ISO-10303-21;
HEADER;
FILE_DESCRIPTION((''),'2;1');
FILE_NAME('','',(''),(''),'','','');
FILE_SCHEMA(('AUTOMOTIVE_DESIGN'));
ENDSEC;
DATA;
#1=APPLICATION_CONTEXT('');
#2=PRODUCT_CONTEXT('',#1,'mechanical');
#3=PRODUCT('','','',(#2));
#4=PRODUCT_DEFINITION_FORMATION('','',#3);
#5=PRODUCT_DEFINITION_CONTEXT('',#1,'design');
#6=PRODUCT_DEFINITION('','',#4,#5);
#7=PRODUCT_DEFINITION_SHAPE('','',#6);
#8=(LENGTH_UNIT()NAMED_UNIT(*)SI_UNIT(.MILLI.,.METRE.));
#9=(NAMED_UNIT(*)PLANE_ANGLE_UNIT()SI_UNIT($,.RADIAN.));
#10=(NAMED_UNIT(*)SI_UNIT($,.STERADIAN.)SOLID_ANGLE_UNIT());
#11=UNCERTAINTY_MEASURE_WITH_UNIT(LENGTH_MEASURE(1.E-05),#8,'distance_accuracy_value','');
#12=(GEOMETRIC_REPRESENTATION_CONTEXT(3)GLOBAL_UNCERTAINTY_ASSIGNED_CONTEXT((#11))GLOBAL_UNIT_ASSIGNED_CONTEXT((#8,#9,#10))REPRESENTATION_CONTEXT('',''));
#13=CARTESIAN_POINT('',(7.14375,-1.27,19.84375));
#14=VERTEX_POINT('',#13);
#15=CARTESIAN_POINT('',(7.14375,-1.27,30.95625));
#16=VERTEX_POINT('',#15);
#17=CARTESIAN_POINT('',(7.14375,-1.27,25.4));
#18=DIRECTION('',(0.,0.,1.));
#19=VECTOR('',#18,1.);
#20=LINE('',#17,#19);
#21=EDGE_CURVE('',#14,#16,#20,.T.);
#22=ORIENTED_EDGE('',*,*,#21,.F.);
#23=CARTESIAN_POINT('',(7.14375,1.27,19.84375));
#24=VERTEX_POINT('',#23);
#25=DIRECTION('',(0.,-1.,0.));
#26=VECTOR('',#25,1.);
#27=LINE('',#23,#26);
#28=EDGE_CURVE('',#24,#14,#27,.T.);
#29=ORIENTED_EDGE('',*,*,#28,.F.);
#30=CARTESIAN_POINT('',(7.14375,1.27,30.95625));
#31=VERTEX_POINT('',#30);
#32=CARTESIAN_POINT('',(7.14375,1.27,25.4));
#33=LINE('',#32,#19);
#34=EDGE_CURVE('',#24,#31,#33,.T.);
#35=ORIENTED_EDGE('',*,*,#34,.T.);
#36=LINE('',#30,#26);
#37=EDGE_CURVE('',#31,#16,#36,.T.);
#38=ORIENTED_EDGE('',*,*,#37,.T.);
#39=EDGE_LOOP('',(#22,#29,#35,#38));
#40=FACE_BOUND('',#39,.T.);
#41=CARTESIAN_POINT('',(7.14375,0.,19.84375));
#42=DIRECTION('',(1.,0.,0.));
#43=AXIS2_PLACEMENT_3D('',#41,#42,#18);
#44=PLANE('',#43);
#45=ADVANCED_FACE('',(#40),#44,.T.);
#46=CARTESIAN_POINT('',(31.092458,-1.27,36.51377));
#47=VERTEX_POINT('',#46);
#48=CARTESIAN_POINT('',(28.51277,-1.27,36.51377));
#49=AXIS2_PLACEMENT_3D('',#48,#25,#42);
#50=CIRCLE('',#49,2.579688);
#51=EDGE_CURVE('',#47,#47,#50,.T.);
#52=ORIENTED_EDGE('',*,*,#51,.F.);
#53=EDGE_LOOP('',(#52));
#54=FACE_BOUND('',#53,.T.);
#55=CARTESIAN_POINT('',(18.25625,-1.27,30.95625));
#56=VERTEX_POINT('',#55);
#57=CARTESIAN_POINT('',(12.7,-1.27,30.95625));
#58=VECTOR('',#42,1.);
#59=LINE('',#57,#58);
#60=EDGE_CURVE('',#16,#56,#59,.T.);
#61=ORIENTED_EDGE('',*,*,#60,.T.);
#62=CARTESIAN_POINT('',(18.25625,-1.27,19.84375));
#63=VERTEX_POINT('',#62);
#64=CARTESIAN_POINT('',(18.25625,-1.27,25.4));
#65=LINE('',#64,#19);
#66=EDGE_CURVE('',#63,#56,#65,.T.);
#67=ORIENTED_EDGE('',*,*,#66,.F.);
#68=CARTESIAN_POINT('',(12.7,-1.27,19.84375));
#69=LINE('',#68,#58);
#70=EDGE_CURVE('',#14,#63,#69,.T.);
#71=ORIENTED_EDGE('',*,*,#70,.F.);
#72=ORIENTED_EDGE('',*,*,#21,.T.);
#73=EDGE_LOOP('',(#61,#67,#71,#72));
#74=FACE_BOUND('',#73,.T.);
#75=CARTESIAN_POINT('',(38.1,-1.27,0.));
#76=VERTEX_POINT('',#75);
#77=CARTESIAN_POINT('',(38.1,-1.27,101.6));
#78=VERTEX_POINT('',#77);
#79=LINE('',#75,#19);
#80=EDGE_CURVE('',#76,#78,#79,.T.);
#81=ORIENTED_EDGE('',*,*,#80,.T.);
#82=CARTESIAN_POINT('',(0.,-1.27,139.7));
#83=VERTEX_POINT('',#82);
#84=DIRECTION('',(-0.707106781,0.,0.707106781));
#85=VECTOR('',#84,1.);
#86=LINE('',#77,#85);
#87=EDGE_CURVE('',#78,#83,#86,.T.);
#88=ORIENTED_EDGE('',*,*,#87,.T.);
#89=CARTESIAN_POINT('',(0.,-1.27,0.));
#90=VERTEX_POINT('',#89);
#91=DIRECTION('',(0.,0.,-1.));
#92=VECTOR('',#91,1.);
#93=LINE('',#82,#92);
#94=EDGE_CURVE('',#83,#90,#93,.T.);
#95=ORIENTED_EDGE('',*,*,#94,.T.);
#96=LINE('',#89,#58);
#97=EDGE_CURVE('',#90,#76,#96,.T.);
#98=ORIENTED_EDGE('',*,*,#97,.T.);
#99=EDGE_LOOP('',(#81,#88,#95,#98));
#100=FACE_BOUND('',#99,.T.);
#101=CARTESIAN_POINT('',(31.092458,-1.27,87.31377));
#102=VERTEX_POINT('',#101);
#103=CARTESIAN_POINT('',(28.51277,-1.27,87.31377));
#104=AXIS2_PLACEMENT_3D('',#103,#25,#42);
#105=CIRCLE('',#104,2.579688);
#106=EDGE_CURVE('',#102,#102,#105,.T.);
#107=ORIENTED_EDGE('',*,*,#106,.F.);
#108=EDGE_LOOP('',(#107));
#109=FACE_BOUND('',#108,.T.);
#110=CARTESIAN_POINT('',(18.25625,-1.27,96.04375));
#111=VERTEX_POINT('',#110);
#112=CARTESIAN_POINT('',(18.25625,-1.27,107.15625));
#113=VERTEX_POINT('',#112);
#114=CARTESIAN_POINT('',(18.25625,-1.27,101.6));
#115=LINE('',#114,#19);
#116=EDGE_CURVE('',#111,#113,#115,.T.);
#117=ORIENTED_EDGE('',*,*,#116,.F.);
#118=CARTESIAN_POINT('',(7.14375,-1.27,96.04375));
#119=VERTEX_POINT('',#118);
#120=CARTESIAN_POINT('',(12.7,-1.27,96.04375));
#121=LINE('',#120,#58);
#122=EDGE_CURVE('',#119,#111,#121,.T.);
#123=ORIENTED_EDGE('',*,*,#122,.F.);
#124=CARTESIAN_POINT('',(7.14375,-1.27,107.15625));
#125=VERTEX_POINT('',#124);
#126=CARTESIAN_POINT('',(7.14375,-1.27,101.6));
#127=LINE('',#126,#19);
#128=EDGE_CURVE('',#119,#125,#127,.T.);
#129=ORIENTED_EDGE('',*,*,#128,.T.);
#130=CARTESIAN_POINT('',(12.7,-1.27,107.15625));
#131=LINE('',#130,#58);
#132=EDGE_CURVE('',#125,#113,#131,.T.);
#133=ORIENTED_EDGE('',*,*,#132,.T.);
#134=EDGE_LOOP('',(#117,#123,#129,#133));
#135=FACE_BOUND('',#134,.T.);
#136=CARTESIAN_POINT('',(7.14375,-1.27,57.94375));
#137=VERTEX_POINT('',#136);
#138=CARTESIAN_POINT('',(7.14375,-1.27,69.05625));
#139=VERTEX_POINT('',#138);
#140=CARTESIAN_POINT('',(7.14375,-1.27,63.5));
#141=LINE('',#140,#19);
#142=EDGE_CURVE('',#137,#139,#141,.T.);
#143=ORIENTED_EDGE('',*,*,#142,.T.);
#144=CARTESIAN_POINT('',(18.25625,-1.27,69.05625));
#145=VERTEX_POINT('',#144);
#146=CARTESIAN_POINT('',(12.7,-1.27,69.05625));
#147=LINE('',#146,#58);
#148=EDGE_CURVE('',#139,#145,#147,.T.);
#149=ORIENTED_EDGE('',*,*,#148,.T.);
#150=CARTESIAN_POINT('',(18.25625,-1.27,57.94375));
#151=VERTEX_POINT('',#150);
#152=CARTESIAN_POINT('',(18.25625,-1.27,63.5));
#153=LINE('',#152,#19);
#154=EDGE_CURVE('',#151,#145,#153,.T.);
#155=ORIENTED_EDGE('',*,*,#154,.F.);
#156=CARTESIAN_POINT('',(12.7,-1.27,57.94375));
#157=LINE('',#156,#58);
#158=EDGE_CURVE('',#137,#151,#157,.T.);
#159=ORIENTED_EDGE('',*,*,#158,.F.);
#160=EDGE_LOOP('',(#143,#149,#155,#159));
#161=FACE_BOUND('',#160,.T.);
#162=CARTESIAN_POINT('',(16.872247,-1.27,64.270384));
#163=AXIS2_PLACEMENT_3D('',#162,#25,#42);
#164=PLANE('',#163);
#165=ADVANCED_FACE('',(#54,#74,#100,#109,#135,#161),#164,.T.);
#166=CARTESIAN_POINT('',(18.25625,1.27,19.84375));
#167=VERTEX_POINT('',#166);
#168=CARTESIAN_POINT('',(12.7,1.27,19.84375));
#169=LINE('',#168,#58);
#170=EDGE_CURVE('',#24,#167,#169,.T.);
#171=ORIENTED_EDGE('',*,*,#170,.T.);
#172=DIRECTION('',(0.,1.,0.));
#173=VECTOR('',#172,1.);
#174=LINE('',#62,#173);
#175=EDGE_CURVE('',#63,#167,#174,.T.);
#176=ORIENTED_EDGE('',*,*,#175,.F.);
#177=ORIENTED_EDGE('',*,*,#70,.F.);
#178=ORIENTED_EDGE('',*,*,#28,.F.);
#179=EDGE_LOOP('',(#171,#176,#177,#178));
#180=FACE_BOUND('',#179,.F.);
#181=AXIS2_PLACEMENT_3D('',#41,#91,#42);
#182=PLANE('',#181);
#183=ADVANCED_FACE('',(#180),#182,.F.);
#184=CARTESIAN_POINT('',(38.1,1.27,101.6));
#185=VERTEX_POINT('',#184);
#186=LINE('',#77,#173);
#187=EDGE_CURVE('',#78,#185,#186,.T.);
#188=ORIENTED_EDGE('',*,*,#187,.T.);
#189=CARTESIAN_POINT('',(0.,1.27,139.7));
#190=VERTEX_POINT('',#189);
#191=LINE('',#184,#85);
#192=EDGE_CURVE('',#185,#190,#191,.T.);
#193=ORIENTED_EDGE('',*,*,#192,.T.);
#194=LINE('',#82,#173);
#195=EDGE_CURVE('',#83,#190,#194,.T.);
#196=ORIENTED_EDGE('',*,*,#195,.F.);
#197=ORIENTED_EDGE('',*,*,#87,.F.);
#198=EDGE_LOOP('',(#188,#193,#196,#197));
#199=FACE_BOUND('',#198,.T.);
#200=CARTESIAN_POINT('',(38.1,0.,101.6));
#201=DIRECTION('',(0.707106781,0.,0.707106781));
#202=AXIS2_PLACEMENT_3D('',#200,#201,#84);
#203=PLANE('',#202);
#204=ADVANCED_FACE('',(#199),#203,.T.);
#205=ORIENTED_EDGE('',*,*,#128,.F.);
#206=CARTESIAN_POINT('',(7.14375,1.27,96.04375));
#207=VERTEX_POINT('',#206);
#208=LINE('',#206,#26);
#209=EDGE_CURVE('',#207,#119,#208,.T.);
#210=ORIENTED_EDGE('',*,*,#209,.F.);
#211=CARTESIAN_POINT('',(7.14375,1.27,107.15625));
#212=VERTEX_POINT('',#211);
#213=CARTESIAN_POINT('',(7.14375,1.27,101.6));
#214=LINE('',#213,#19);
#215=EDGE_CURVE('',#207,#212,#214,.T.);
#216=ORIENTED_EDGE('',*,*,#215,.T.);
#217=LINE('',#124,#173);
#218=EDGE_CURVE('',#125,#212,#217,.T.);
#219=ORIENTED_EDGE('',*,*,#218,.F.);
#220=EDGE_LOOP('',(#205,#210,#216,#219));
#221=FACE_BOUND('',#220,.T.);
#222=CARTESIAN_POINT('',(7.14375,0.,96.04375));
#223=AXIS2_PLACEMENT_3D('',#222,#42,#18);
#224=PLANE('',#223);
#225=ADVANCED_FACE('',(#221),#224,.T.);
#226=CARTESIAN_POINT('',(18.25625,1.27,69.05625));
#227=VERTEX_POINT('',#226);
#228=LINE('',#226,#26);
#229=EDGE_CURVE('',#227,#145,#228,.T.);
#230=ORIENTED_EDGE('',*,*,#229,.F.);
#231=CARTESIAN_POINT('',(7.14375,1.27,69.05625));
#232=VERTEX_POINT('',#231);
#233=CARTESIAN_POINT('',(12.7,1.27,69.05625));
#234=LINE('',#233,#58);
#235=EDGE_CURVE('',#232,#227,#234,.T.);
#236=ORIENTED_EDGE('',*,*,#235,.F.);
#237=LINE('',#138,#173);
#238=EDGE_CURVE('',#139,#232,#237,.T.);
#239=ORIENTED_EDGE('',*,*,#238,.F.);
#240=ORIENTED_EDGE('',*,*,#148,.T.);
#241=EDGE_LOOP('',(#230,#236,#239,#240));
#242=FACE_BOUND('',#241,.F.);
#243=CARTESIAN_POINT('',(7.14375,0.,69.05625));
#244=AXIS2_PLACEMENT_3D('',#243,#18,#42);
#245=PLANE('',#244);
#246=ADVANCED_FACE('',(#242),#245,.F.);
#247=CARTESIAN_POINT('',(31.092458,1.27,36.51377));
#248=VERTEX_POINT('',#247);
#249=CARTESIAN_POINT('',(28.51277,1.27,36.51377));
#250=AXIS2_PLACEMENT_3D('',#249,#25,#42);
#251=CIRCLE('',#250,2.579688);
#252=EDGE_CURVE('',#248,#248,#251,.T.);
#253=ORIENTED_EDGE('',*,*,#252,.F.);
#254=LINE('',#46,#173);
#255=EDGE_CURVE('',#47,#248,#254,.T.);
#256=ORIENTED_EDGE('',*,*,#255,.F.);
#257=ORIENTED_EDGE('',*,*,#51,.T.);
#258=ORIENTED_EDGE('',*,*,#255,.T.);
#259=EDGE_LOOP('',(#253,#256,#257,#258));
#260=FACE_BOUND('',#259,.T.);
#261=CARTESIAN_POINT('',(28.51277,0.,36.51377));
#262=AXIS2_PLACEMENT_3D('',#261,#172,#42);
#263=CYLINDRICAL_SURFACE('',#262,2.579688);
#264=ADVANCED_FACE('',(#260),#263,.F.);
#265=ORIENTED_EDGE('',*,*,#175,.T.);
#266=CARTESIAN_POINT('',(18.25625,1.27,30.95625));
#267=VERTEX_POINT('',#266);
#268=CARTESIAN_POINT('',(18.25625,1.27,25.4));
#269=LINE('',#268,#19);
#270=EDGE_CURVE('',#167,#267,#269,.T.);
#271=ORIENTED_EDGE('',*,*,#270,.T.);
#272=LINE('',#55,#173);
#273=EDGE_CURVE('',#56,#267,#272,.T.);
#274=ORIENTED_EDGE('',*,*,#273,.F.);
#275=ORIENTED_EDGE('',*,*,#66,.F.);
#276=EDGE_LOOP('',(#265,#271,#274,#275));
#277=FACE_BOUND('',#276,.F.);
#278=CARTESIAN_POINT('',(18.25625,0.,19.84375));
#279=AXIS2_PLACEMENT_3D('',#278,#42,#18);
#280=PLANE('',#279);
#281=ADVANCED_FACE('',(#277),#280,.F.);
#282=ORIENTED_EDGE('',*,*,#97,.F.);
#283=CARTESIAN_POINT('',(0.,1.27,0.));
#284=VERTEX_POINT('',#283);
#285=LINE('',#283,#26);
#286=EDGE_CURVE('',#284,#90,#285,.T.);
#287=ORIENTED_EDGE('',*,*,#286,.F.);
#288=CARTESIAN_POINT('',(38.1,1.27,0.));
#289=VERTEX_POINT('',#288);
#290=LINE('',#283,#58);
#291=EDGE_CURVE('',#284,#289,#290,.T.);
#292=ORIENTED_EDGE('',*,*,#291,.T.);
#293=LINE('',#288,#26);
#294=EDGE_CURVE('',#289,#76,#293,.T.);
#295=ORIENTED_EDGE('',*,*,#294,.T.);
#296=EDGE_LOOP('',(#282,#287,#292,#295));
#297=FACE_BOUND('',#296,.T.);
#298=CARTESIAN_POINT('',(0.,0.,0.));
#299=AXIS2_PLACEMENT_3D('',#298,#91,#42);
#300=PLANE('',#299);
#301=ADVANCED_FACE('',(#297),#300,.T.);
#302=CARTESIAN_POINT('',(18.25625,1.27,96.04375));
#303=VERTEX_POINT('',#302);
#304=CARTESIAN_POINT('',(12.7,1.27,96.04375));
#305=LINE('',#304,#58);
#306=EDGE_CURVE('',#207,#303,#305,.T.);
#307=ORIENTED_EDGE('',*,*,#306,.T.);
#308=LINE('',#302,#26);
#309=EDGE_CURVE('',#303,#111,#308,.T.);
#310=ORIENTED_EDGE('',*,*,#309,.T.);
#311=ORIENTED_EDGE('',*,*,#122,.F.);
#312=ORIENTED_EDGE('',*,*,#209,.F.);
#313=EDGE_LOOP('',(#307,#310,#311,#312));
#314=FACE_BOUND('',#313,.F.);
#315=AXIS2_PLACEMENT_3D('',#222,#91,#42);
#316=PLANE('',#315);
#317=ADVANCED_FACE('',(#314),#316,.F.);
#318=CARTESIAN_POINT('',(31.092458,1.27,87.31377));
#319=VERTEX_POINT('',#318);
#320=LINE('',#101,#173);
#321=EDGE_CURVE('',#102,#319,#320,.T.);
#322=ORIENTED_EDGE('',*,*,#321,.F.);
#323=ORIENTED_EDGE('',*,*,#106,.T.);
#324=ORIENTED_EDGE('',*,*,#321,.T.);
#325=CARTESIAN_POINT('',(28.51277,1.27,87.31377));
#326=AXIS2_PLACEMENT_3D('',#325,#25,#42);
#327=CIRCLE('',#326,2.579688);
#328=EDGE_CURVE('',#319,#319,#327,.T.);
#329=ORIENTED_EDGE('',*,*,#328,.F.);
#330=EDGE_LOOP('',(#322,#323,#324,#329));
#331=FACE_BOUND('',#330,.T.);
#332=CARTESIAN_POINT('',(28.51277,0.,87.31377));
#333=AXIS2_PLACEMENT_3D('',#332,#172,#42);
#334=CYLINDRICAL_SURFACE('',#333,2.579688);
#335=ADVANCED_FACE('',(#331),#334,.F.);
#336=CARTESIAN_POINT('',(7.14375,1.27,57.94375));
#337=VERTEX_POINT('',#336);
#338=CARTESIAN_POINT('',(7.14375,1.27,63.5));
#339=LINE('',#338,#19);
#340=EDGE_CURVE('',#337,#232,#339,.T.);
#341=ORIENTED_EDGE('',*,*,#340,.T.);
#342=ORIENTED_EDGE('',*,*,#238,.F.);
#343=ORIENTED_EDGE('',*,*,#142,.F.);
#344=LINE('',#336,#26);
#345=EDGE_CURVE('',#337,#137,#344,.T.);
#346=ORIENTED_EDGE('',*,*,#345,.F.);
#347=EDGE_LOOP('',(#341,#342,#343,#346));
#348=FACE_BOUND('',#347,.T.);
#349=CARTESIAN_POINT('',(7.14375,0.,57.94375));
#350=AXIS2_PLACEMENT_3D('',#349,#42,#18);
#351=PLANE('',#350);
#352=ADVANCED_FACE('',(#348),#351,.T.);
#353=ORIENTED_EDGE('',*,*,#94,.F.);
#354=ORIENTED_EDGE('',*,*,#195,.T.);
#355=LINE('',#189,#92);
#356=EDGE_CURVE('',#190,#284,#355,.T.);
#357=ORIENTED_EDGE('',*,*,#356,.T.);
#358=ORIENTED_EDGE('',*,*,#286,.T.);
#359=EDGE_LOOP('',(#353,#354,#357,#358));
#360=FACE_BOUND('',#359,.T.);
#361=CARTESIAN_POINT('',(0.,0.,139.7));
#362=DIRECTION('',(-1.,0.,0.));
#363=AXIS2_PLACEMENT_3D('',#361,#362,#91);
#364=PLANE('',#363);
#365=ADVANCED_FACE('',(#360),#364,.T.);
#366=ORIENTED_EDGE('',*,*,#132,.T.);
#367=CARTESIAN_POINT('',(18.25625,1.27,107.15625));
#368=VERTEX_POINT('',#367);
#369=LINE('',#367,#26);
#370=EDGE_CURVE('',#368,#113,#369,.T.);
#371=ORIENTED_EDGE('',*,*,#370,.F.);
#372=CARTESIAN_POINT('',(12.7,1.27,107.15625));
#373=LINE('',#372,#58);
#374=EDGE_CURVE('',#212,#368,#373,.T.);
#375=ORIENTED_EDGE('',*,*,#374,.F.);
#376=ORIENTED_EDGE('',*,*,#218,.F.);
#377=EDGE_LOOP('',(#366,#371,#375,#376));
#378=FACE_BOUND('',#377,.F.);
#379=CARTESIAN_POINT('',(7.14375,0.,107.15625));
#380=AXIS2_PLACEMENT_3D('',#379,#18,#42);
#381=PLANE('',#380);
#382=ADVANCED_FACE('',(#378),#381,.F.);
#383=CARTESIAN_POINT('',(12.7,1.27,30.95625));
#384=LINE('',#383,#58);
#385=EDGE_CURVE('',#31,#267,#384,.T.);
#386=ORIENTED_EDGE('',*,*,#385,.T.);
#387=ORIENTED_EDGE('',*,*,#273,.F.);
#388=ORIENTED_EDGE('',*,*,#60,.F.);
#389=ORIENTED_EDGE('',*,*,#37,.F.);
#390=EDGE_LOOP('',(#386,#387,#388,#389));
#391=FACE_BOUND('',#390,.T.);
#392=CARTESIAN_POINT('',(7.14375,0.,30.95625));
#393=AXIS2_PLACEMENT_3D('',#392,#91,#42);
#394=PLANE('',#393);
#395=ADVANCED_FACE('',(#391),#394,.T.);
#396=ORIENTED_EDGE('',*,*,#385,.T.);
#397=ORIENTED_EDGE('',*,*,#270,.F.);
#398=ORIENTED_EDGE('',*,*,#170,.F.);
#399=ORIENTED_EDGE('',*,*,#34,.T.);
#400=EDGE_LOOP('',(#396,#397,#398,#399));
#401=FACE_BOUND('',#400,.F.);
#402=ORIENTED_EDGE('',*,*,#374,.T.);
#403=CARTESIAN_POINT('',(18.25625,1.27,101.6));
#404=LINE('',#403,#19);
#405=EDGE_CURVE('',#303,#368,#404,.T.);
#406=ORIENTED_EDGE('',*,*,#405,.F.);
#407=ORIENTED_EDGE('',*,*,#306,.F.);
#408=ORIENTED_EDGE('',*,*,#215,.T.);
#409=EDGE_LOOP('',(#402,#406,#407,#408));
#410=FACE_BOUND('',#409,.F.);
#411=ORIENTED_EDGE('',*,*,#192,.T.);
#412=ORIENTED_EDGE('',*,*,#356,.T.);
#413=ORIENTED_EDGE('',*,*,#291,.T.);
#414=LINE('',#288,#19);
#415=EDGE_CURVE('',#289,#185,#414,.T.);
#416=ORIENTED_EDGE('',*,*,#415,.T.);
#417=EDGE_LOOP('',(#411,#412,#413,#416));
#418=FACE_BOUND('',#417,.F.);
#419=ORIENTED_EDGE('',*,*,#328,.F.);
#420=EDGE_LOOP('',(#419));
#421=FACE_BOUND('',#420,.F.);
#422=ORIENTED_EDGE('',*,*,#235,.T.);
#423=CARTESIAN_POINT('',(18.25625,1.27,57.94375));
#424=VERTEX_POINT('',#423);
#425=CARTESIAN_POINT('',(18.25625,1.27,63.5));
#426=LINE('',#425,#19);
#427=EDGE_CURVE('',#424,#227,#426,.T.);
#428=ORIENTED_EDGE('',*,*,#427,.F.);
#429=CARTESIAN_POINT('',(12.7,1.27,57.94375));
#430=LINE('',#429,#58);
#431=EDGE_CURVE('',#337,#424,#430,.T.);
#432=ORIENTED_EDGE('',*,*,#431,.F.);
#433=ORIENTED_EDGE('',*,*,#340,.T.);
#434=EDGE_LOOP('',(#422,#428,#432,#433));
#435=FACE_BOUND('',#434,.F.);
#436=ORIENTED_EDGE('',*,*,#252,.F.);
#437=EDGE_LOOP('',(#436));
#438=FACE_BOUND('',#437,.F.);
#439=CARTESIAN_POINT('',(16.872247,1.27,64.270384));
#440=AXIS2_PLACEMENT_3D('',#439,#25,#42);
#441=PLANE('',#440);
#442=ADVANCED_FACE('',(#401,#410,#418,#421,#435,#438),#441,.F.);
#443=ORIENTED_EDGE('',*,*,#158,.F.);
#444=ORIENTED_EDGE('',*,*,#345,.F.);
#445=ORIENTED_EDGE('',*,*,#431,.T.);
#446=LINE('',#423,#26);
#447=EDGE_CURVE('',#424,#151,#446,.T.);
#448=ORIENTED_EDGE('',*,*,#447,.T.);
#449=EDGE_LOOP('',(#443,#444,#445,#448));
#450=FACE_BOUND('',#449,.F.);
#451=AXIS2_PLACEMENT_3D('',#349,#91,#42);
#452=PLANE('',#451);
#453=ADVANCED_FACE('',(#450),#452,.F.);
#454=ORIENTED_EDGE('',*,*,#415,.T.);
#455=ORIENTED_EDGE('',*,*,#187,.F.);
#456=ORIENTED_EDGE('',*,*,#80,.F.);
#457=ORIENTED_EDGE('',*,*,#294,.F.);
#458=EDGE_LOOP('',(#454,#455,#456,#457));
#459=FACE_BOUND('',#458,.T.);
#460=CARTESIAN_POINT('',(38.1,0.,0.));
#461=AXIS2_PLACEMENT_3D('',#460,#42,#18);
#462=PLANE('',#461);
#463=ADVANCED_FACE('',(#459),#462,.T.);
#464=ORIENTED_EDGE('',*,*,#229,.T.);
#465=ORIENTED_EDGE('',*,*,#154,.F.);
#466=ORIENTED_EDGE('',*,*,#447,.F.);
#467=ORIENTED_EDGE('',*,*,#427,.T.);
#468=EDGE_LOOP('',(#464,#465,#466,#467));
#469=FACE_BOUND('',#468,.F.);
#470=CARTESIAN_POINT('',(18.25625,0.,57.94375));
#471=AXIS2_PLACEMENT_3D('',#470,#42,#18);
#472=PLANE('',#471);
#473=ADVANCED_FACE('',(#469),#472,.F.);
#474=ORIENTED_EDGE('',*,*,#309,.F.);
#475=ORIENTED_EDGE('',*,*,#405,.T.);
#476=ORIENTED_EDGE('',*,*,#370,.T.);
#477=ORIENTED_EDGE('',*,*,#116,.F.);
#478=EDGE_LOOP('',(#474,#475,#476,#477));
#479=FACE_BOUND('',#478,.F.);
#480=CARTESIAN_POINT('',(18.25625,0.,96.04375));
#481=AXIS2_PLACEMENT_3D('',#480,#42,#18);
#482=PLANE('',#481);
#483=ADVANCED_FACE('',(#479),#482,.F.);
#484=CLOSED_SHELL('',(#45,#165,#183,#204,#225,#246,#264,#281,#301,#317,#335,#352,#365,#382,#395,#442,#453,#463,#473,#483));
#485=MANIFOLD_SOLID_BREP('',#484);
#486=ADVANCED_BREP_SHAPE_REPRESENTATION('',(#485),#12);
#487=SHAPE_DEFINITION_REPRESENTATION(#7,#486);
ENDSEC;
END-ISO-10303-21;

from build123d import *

# Parameters (mm, degrees)
F0_W     = 11.1125
F0_H     = 11.1125
F0_R     = 2.579688
F1_DEPTH = 1.27


with BuildPart() as f1:
    # F0 (on Front) → F1 (new body, symmetric)
    with BuildSketch(Plane.XZ):
        Polygon((0, 139.7), (0, 0), (38.1, 0), (38.1, 101.6), align=None)
        with Locations((12.7, 25.4)):
            Rectangle(F0_W, F0_H, mode=Mode.SUBTRACT)
        with Locations((12.7, 63.5)):
            Rectangle(F0_W, F0_H, mode=Mode.SUBTRACT)
        with Locations((28.51277, 36.51377)):
            Circle(F0_R, mode=Mode.SUBTRACT)
        with Locations((12.7, 101.6)):
            Rectangle(F0_W, F0_H, mode=Mode.SUBTRACT)
        with Locations((28.51277, 87.31377)):
            Circle(F0_R, mode=Mode.SUBTRACT)
    extrude(amount=F1_DEPTH, both=True)


solid = f1.part
